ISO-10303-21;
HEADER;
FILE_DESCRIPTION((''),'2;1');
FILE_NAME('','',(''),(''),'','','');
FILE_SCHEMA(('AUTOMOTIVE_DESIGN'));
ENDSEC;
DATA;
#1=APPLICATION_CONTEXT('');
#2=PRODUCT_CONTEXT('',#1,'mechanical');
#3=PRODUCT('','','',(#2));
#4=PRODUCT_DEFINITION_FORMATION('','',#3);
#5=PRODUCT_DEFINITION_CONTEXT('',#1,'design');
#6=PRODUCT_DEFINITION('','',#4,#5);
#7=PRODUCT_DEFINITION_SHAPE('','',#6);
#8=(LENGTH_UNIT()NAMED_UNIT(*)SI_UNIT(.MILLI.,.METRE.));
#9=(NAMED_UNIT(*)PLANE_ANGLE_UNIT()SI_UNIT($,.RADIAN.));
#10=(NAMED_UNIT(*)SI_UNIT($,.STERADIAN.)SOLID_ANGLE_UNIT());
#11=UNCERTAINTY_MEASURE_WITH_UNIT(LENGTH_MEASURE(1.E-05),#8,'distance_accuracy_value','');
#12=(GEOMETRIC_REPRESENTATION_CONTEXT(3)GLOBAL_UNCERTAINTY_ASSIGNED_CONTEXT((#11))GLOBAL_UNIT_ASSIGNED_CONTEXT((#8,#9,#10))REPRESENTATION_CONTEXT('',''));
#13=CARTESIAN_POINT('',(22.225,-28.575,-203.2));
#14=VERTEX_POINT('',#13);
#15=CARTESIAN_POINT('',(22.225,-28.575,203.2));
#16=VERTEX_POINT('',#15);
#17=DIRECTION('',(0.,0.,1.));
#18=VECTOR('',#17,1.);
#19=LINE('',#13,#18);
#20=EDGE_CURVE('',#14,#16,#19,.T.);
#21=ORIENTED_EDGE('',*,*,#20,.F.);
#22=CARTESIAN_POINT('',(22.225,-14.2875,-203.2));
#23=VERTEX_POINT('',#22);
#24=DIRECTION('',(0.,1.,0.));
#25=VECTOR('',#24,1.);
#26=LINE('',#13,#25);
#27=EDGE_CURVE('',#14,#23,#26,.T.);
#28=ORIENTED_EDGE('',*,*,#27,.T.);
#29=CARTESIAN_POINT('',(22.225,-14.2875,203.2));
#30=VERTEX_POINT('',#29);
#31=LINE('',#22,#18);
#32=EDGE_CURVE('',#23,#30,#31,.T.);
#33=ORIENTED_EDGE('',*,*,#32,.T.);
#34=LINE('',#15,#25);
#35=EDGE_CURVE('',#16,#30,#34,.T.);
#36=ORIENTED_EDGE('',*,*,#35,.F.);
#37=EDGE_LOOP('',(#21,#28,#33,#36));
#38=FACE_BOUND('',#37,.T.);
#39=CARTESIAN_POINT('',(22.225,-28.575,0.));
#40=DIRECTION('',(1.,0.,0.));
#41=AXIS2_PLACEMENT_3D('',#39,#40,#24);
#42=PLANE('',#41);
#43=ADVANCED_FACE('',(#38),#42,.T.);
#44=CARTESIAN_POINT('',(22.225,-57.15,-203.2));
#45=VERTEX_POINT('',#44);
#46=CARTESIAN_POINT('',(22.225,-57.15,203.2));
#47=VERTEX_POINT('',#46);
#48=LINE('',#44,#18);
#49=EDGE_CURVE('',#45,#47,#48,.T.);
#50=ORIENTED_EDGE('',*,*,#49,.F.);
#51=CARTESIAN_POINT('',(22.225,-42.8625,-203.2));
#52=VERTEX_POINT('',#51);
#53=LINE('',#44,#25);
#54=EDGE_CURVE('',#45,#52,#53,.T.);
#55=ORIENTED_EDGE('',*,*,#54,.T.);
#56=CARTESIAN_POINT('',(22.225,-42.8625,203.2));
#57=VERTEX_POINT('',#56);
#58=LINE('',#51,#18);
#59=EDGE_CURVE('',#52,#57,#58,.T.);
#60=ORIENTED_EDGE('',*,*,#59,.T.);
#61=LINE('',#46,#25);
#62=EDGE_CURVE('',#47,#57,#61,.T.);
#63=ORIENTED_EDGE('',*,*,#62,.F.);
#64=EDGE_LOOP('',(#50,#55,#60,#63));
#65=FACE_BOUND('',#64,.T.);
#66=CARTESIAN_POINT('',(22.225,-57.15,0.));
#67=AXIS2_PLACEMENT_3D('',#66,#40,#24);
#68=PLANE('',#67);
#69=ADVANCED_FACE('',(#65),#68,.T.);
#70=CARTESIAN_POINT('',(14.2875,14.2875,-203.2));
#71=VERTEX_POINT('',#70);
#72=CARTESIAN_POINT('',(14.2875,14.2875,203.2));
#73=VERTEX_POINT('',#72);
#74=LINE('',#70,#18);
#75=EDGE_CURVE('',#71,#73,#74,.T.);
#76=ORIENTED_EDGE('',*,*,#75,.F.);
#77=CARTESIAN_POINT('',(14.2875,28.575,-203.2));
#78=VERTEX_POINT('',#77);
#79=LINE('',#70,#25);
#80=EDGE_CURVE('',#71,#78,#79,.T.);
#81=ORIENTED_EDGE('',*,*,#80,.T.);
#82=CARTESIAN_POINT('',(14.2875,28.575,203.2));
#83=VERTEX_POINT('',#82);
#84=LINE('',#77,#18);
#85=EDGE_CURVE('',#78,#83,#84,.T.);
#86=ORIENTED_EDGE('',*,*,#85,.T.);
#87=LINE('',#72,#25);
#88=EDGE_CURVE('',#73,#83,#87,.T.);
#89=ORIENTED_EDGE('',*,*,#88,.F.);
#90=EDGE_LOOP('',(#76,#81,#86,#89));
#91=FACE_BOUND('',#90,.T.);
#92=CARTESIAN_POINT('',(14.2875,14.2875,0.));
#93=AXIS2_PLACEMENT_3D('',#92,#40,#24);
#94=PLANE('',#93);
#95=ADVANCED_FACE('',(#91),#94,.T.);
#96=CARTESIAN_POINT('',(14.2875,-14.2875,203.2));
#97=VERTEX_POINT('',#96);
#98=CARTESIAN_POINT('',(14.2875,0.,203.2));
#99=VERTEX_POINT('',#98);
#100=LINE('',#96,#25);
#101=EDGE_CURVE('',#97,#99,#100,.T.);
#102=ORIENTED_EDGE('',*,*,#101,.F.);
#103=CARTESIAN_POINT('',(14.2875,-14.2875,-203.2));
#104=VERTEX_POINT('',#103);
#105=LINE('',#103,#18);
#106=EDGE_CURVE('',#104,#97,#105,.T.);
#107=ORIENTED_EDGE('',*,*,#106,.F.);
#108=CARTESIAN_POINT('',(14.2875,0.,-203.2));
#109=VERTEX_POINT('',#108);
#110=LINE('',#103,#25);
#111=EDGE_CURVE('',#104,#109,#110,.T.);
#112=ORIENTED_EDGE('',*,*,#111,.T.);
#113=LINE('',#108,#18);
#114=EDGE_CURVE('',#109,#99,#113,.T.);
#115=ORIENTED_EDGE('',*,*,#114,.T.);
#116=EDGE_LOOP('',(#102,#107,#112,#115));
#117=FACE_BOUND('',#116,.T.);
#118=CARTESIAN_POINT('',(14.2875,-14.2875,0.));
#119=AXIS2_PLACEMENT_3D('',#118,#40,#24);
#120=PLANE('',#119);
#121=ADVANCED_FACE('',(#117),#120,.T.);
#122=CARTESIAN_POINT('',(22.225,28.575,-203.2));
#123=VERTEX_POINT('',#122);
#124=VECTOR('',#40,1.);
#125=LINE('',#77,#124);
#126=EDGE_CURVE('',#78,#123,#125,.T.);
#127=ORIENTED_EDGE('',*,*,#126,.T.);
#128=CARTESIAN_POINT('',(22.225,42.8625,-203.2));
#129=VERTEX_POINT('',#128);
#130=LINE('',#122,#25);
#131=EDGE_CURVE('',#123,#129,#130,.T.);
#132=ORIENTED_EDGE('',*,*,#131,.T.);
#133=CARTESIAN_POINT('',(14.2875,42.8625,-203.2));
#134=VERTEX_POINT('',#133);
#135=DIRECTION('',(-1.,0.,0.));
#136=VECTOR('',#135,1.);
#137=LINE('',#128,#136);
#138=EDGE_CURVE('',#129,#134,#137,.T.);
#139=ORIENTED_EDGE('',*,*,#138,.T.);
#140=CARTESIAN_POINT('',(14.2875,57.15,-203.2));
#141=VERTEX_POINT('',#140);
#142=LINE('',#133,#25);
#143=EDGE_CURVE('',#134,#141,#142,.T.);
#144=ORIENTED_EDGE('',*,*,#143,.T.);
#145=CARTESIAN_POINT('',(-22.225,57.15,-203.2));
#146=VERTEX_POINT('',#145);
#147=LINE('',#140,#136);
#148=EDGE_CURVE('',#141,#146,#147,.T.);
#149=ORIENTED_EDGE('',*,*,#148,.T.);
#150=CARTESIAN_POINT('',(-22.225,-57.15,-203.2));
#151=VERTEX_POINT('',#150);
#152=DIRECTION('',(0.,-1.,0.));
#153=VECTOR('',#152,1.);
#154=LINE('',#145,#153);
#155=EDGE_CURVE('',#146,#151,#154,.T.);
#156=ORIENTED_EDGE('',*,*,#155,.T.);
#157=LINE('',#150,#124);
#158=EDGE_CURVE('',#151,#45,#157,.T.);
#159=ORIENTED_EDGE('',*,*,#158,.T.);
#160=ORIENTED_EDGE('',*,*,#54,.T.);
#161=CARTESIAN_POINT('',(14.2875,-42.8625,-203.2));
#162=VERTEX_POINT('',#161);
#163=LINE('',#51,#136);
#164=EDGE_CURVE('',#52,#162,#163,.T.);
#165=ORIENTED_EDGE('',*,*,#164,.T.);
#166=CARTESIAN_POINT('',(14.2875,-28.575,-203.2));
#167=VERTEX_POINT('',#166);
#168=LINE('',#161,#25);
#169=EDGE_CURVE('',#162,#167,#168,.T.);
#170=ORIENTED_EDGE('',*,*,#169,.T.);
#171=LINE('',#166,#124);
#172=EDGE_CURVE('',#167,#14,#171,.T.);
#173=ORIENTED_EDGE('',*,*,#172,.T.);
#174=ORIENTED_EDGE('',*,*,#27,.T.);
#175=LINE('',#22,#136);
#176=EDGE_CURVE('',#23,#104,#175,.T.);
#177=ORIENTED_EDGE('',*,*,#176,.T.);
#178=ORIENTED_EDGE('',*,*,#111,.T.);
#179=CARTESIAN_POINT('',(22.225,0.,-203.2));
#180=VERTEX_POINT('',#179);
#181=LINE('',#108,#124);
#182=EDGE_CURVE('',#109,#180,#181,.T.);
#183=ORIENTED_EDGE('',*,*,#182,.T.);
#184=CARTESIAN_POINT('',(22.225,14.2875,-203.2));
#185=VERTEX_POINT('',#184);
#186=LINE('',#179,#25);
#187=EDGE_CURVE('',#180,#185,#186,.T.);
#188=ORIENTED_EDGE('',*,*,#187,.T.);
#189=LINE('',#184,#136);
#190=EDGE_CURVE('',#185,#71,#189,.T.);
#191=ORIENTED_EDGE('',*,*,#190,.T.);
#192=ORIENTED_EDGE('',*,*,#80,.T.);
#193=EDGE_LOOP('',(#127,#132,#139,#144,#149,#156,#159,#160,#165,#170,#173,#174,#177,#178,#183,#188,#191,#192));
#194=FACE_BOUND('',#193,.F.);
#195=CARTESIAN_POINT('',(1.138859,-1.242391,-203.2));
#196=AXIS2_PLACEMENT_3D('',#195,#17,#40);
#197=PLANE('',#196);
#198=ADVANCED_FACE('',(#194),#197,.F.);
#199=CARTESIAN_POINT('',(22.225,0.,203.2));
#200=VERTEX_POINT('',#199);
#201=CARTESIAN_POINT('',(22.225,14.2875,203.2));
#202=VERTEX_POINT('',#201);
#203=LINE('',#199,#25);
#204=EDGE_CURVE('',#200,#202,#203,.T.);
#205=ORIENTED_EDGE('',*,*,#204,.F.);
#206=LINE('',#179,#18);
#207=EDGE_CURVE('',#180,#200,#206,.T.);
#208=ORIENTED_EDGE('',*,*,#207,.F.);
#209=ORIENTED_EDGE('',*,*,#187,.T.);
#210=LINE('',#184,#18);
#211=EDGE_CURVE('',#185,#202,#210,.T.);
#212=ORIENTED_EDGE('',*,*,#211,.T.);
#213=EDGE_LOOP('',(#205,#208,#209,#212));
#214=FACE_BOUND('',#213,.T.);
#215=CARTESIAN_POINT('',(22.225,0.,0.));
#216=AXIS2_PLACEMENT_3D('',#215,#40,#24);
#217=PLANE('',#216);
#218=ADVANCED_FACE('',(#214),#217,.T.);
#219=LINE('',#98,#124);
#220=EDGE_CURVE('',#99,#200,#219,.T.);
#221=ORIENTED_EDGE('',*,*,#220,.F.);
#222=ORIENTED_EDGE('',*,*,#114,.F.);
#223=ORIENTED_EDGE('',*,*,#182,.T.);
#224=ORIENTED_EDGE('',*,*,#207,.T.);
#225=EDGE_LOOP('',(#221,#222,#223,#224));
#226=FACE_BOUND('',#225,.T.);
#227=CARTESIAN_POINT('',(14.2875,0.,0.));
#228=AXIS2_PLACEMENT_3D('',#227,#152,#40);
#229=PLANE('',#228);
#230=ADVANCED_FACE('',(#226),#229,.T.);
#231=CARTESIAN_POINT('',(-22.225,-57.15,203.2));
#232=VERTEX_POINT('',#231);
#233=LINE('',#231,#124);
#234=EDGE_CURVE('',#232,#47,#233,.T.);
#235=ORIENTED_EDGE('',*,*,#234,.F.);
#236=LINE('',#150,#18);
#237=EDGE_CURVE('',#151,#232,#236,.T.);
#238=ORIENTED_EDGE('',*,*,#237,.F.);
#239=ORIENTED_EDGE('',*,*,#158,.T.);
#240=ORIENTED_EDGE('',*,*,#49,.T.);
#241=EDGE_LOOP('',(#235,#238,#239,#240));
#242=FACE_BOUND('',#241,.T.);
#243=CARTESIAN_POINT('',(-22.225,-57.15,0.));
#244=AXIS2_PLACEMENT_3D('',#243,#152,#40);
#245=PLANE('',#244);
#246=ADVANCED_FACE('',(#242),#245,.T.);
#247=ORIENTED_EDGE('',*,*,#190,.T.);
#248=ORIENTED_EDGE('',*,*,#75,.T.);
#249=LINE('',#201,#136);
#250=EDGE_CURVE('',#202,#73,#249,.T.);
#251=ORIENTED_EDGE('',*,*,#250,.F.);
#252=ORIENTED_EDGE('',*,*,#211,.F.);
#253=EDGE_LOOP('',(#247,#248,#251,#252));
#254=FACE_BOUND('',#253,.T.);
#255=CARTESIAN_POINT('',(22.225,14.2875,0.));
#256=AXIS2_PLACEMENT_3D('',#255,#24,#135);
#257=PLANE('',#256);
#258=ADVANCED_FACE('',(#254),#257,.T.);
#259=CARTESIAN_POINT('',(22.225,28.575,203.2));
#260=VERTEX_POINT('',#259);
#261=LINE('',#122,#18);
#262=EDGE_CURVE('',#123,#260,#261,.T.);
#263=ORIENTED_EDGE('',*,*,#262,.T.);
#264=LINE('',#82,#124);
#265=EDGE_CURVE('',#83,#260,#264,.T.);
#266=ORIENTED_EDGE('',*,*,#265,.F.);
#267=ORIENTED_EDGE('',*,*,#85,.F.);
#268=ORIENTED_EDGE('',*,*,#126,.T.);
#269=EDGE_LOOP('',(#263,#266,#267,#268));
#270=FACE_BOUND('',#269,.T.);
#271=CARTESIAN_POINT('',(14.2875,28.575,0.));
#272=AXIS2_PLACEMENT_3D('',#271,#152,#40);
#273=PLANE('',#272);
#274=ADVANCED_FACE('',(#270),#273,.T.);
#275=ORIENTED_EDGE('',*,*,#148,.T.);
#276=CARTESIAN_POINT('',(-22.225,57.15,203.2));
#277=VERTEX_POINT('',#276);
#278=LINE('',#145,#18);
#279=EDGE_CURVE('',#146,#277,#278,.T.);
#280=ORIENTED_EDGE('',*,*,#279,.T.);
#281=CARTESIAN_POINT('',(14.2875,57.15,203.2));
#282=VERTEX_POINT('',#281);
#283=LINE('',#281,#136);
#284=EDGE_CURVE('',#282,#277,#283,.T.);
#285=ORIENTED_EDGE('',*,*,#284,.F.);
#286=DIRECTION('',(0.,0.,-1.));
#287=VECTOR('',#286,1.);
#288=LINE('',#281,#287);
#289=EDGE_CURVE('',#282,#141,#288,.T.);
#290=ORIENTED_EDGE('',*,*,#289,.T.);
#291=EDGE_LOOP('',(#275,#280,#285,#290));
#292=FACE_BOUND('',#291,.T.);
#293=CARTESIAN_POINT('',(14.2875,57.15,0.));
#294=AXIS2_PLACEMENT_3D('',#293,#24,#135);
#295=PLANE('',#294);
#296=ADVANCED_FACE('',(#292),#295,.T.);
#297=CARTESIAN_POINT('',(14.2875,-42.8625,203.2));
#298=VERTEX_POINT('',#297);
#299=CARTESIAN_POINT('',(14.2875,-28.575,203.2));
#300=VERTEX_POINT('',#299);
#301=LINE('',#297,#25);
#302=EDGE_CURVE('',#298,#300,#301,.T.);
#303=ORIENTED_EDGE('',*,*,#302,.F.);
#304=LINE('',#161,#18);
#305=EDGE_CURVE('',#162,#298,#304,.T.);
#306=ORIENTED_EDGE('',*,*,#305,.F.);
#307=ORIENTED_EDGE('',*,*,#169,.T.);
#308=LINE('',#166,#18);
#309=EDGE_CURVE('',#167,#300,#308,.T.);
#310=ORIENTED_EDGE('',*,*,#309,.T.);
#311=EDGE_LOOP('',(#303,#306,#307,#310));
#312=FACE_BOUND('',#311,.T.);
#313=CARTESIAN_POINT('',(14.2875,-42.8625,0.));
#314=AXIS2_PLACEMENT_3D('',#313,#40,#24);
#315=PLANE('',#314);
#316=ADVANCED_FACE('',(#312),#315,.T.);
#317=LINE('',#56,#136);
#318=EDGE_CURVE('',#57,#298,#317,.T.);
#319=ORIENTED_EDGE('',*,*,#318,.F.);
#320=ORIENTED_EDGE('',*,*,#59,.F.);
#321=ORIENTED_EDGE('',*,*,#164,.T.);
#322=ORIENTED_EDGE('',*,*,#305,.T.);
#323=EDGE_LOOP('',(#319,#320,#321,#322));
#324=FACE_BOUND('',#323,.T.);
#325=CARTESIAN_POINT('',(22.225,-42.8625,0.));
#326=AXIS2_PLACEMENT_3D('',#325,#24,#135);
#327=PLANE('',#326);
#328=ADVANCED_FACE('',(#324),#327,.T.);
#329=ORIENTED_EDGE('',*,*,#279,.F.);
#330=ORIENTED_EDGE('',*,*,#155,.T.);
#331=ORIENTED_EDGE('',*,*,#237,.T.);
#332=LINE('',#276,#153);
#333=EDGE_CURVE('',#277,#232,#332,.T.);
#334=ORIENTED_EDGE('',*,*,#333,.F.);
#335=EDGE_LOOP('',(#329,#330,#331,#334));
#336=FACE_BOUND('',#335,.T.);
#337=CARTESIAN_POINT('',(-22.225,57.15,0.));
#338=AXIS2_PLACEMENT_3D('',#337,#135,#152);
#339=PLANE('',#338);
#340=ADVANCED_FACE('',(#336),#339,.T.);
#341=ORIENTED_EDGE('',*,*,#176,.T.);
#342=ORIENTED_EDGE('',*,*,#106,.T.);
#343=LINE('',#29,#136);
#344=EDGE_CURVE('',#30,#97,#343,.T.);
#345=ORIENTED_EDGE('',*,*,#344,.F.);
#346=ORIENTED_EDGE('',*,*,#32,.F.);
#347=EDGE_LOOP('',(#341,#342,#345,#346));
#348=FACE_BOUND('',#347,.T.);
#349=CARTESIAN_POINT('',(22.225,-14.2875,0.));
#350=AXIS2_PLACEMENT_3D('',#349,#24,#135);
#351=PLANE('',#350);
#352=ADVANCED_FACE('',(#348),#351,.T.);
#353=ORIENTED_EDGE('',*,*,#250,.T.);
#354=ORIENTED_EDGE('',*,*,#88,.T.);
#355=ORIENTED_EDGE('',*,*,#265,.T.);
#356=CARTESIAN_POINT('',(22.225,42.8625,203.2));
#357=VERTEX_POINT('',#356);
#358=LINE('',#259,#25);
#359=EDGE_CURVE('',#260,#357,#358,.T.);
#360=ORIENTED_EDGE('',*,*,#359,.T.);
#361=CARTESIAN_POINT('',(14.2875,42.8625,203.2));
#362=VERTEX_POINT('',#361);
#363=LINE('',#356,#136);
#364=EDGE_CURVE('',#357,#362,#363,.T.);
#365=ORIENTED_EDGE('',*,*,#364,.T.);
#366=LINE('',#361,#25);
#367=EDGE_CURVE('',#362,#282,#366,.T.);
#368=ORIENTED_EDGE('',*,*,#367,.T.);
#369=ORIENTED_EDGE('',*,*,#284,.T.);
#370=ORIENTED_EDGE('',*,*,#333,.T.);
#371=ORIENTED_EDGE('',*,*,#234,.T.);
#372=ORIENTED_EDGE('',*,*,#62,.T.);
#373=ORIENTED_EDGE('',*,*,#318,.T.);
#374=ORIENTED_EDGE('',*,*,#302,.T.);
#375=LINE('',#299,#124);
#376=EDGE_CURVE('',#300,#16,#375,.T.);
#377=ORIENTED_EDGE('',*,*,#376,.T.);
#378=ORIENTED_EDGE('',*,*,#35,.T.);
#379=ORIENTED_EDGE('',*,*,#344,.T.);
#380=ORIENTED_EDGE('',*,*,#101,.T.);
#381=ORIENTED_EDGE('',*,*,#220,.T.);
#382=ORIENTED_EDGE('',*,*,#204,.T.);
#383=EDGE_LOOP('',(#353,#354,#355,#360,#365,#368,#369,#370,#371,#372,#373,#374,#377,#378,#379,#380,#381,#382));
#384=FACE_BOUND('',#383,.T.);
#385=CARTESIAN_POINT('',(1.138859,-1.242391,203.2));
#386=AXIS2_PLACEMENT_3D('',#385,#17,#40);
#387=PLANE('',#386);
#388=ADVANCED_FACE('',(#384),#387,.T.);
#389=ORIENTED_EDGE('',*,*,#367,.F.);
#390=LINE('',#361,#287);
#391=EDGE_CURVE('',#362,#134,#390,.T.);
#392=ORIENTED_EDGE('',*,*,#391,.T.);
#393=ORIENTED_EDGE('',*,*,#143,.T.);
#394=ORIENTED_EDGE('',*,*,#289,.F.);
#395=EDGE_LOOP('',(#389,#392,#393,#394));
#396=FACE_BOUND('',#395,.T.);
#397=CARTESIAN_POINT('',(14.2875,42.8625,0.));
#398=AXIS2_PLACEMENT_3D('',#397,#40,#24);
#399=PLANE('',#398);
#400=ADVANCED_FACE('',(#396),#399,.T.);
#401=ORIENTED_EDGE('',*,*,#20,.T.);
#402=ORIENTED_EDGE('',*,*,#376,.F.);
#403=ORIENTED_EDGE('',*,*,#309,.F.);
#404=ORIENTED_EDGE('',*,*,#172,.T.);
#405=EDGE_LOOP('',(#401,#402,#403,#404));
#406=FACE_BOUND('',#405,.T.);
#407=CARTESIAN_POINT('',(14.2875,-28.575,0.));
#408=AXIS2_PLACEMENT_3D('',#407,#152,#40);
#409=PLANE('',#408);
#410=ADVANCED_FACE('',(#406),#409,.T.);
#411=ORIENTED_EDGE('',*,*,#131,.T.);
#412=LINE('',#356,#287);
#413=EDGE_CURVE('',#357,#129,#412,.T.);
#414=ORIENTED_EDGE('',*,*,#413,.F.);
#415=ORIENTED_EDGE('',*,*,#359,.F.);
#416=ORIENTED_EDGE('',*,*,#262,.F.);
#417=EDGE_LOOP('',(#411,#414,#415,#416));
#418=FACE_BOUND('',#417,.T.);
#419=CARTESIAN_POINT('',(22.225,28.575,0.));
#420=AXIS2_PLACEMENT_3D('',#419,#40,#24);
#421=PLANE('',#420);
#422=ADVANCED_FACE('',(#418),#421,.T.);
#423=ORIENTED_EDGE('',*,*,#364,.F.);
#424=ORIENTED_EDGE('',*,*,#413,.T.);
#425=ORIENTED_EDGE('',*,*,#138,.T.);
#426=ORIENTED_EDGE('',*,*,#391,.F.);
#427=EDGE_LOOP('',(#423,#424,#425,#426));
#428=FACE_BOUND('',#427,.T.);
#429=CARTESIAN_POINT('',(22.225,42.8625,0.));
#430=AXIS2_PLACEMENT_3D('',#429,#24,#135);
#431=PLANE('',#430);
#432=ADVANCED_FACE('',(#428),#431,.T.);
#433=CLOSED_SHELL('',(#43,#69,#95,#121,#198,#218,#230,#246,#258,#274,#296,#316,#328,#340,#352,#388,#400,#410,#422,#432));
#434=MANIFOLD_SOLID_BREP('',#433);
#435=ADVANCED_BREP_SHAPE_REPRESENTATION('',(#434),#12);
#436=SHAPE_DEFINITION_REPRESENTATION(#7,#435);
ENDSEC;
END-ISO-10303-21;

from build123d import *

# Parameters (mm, degrees)
F1_DEPTH = 203.2


with BuildPart() as f1:
    # F0 (on Top) → F1 (new body, symmetric)
    with BuildSketch(Plane.XY):
        Polygon((14.2875, 57.15), (-22.225, 57.15), (-22.225, -57.15), (22.225, -57.15), (22.225, -42.8625), (14.2875, -42.8625), (14.2875, -28.575), (22.225, -28.575), (22.225, -14.2875), (14.2875, -14.2875), (14.2875, 0), (22.225, 0), (22.225, 14.2875), (14.2875, 14.2875), (14.2875, 28.575), (22.225, 28.575), (22.225, 42.8625), (14.2875, 42.8625), align=None)
    extrude(amount=F1_DEPTH, both=True)


solid = f1.part
